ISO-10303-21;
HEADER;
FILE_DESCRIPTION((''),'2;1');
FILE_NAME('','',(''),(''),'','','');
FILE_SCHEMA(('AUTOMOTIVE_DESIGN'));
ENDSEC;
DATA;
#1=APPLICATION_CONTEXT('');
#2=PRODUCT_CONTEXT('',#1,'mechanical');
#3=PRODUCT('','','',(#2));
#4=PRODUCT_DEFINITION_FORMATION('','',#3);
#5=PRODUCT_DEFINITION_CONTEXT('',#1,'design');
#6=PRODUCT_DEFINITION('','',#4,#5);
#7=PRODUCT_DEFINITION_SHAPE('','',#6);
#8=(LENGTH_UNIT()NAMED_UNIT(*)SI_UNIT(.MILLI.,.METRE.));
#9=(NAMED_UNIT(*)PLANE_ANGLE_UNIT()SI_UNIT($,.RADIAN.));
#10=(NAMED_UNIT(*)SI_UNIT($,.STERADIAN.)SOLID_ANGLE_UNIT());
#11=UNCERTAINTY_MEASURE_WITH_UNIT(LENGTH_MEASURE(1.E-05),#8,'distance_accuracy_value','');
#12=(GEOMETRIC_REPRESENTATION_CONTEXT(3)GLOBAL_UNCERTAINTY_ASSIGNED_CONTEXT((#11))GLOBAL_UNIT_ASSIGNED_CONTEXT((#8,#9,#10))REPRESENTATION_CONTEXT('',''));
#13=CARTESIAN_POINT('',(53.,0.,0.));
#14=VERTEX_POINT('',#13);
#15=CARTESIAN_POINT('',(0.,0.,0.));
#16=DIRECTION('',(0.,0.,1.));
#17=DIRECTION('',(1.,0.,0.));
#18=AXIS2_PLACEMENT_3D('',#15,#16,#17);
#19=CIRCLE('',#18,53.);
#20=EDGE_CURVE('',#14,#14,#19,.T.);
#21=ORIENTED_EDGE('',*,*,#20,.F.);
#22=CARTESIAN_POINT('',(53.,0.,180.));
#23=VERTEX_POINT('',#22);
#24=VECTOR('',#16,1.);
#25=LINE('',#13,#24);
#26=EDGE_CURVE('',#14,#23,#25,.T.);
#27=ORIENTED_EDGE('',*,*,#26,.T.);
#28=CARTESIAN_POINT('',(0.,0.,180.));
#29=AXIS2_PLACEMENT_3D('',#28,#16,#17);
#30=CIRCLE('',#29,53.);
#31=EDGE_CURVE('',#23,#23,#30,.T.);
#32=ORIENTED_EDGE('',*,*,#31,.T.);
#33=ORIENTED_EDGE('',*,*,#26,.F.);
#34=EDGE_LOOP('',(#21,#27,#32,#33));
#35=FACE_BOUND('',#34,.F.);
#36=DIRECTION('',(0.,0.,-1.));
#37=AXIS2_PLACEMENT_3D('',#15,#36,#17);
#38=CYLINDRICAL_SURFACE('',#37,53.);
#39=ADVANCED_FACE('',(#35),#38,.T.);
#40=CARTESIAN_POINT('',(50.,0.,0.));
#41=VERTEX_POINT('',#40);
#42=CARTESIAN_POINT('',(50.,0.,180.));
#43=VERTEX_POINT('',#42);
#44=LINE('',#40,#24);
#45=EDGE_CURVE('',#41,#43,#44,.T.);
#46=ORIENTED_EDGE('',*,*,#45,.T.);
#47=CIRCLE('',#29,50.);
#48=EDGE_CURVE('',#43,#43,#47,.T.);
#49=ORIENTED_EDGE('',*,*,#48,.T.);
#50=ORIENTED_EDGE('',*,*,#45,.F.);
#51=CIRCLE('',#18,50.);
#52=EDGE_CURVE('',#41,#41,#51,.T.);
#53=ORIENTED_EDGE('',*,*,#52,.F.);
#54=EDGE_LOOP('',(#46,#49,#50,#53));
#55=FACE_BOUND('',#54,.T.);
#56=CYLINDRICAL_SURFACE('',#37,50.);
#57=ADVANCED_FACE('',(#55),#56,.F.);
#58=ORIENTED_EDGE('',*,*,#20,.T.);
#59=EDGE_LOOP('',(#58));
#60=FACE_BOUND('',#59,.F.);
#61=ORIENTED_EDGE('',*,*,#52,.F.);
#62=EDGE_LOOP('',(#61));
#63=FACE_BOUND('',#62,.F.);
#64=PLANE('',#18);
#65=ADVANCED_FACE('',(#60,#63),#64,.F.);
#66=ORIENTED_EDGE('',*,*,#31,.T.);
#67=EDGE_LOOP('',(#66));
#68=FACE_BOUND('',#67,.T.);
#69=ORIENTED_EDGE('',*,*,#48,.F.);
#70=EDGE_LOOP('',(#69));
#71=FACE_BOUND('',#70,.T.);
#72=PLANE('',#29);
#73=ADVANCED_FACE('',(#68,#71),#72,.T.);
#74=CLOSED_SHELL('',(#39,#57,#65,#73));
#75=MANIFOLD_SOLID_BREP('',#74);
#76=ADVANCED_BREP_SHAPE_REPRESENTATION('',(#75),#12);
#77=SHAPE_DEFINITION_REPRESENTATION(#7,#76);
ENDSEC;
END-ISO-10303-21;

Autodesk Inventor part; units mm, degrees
ref_plane "YZ Plane" through (0, 0, 0) normal (1, 0, 0) x (0, 1, 0)
ref_plane "XZ Plane" through (0, 0, 0) normal (0, 1, 0) x (-1, 0, 0)
ref_plane "XY Plane" through (0, 0, 0) normal (0, 0, 1) x (1, 0, 0)
sketch "Sketch1" plane through (0, 0, 0) normal (0, 0, 1) x (1, 0, 0)
  circle A0 centre (0, 0) radius 53
  circle A1 centre (0, 0) radius 50
  dimension "d0" = 106
  dimension "d1" = 100
extrude "Extrusion1" add sketch "Sketch1" along normal blind 180
properties part number "Tube"
